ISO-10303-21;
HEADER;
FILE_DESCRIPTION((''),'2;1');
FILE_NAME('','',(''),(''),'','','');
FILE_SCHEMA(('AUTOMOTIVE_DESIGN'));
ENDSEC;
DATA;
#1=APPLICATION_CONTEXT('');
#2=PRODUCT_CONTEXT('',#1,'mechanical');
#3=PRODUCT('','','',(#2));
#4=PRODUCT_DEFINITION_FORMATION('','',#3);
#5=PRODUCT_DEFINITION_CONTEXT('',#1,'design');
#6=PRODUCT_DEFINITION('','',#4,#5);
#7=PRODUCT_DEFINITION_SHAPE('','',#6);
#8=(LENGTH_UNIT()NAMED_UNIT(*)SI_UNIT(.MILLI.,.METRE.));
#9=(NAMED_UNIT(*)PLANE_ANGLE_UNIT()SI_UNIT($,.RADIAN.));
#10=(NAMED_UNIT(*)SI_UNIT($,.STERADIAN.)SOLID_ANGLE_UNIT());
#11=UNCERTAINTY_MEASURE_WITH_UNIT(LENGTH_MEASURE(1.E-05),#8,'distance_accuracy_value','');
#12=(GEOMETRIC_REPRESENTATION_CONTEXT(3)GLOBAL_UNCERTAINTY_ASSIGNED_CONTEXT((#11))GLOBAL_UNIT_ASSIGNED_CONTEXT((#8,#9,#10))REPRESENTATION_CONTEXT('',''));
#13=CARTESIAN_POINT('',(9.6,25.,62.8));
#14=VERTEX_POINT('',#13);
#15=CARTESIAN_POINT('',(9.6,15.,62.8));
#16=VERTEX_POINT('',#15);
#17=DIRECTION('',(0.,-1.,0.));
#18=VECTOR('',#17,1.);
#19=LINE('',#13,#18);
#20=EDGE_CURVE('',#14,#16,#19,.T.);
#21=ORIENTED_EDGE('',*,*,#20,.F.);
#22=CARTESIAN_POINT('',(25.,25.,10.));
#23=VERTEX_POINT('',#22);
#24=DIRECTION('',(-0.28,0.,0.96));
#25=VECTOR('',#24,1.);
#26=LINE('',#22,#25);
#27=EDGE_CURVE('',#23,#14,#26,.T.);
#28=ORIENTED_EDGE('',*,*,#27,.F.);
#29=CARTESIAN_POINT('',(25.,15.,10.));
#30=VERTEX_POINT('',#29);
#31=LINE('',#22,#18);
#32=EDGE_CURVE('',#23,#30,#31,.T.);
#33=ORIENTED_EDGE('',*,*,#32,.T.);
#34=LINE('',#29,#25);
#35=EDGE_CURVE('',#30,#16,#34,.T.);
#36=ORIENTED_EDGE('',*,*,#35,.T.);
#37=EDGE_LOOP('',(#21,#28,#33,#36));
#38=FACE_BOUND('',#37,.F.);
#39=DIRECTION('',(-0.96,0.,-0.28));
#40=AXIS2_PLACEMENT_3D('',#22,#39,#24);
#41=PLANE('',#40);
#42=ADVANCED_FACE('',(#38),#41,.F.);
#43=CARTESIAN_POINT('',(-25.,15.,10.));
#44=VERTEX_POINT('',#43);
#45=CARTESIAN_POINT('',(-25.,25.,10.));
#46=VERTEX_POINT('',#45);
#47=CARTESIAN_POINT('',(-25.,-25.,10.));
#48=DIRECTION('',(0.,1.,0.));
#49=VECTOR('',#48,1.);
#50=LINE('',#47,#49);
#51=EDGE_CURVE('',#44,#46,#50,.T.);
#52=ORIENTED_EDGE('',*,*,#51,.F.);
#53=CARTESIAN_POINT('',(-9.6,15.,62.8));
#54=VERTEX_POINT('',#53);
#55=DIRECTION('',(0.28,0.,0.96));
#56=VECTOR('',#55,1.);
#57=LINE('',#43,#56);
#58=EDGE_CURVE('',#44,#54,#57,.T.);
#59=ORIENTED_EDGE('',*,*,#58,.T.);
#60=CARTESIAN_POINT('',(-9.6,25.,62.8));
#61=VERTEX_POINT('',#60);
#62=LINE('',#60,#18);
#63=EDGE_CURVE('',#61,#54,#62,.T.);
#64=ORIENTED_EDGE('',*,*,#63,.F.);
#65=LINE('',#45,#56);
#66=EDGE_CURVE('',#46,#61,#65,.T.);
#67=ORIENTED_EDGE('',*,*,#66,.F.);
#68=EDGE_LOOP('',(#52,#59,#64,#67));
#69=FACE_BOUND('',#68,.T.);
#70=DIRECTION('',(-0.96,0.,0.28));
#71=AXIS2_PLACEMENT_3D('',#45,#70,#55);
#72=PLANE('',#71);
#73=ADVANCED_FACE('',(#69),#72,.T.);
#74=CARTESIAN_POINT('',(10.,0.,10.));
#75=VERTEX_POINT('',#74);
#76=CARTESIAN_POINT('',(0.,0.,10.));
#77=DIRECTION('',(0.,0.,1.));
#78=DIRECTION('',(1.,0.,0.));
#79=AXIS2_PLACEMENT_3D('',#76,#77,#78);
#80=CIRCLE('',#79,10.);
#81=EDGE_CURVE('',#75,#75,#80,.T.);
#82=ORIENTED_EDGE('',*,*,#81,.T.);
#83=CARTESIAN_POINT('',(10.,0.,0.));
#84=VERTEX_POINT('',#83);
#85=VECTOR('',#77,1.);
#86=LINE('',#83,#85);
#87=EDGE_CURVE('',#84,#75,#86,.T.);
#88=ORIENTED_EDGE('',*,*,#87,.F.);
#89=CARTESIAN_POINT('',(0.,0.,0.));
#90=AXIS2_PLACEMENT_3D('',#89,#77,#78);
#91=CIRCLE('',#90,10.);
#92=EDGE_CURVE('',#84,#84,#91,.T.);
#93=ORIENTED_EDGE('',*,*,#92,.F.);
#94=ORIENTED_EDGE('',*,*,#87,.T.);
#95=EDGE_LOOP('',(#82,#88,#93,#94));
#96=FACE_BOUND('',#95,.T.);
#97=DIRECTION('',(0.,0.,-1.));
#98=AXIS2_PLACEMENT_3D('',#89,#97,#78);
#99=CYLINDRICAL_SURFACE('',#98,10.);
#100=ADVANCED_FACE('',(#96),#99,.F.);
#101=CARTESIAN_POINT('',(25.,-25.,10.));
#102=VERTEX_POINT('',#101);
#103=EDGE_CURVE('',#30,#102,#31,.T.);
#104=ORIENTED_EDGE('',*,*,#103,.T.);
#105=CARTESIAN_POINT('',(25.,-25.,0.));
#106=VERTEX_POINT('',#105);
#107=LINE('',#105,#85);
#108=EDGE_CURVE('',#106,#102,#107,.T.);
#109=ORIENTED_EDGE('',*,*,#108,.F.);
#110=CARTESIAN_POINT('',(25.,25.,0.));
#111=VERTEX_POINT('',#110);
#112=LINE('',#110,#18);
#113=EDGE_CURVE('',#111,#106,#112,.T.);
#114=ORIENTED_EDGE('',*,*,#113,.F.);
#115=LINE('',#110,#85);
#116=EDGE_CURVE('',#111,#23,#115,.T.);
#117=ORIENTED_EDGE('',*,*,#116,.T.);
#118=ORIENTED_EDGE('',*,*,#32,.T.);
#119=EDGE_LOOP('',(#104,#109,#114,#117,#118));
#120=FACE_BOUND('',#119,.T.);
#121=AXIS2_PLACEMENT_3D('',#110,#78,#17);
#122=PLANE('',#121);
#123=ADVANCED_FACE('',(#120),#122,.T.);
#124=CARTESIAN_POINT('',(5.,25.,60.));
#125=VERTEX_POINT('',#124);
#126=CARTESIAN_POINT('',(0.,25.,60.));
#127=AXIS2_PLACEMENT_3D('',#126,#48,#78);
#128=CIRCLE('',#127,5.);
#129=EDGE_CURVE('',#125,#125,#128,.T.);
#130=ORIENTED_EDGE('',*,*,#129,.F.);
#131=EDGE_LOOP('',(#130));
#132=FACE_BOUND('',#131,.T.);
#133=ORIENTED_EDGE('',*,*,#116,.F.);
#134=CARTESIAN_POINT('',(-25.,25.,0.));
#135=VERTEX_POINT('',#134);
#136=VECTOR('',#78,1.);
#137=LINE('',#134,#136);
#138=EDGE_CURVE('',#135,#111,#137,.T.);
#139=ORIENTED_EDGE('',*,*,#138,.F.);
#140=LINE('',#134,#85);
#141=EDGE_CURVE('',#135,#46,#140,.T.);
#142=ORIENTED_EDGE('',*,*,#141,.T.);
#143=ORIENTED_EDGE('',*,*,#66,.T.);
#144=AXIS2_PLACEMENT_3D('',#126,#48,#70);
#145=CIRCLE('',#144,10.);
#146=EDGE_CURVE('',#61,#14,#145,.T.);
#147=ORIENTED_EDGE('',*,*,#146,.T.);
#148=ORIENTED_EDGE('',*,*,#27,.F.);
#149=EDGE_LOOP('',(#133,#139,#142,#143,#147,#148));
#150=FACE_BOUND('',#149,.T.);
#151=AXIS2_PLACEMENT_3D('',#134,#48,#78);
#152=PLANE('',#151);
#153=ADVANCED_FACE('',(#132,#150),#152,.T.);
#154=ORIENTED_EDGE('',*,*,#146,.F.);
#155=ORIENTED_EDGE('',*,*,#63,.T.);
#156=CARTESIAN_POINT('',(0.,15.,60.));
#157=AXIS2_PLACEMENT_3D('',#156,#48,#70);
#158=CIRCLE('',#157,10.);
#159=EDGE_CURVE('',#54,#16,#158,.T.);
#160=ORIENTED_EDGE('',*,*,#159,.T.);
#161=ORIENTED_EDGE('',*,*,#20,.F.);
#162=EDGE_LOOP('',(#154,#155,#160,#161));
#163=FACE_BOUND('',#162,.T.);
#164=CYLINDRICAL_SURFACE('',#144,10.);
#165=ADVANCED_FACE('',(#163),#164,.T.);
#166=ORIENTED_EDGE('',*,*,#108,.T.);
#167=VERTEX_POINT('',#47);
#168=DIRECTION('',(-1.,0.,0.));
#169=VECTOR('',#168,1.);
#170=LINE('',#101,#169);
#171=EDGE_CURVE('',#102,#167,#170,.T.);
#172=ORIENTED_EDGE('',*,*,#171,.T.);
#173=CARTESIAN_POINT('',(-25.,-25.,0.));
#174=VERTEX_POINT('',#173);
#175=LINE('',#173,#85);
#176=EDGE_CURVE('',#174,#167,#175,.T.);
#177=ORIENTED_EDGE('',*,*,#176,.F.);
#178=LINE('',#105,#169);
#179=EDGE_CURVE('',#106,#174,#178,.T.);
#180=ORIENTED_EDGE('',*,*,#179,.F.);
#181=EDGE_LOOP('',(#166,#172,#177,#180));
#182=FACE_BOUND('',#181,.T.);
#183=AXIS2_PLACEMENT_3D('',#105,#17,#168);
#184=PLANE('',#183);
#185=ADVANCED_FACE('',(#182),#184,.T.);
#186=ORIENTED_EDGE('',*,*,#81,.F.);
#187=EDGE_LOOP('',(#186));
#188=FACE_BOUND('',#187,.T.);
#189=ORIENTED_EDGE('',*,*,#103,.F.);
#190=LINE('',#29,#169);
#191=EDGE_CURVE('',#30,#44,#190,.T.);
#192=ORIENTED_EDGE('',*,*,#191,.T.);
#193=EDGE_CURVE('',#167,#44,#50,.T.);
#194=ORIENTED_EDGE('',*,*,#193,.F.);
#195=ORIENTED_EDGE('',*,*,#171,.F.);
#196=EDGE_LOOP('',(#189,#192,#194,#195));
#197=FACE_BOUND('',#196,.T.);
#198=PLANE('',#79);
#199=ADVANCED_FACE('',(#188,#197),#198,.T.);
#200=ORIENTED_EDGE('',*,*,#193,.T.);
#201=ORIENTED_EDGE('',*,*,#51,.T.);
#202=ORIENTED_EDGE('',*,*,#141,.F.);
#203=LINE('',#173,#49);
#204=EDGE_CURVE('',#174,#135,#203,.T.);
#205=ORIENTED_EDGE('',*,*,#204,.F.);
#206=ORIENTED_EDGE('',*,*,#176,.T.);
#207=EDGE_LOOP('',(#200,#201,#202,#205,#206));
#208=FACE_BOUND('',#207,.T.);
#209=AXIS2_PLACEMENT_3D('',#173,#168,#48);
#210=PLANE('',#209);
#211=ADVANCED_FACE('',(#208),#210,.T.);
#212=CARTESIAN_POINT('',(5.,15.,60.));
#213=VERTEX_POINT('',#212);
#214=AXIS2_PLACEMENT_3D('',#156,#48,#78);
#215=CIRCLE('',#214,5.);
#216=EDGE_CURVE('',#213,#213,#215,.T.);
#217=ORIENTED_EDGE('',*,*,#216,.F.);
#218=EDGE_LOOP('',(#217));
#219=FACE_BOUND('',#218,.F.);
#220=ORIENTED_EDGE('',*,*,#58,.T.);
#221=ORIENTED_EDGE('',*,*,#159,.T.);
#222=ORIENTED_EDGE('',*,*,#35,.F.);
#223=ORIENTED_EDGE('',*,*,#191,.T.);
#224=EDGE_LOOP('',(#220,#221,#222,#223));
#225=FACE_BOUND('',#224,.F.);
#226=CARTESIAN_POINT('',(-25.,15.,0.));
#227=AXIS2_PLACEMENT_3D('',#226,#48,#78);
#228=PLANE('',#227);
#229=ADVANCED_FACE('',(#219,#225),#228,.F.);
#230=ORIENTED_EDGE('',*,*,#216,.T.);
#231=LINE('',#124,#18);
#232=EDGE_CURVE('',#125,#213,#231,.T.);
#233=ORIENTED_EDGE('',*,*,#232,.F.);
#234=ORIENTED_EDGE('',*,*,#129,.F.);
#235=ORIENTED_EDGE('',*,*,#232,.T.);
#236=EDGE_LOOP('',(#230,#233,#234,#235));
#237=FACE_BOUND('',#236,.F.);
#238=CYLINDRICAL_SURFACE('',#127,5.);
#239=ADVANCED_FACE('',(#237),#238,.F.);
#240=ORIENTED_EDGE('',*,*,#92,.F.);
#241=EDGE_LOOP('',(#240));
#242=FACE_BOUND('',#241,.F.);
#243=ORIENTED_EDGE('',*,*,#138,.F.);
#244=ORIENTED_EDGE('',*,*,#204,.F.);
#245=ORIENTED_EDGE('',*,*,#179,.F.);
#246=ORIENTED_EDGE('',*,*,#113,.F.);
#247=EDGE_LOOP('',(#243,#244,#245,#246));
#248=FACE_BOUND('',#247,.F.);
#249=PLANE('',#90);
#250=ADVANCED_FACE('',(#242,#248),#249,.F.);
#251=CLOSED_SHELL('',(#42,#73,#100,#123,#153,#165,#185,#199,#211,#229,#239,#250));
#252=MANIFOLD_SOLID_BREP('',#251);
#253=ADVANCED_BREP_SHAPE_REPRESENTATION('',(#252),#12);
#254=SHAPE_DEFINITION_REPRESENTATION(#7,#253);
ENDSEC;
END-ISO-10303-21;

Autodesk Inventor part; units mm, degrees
ref_plane "YZ Plane" through (0, 0, 0) normal (1, 0, 0) x (0, 1, 0)
ref_plane "XY Plane" through (0, 0, 0) normal (0, 0, 1) x (1, 0, 0)
sketch "Sketch1" plane through (0, 0, 0) normal (0, 0, 1) x (1, 0, 0)
  line L0 (-335.2657, 170.906) -> (-144.554, 170.906) construction
  line L1 (-144.554, 170.906) -> (-144.554, -100.0273) construction
  line L2 (-144.554, -100.0273) -> (-335.2657, -100.0273) construction
  line L3 (-335.2657, -100.0273) -> (-335.2657, 170.906) construction
  line L4 (-25, 25) -> (25, 25)
  line L5 (25, 25) -> (25, -25)
  line L6 (25, -25) -> (-25, -25)
  line L7 (-25, -25) -> (-25, 25)
  line L8 (-25, 25) -> (25, -25) construction
  line L9 (25, 25) -> (-25, -25) construction
  circle A0 centre (0, 0) radius 10
  dimension "d6" = 50
  dimension "d7" = 50
  dimension "d8" = 20
extrude "Extrusion1" add sketch "Sketch1" along normal blind 10
ref_plane "Work Plane1" through (0, 25, 0) normal (0, 1, 0) x (-1, 0, 0)
sketch "Sketch2" plane through (-25, 25, 0) normal (0, 1, 0) x (1, 0, 0)
  arc A0 (15.4, -62.8) -> (34.6, -62.8) centre (25, -60) ccw
  circle A1 centre (25, -60) radius 5
  line L0 (50, -10) -> (0, -10) projected
  line L1 (50, -10) -> (34.6, -62.8)
  line L2 (0, -10) -> (15.4, -62.8)
  line L3 (0, -10) -> (50, -10) projected
  line L4 (50, -10) -> (0, -10)
  line L5 (0, -10) -> (50, -10)
  point P0 (25, 0)
  dimension "d13" = 20
  dimension "d14" = 10
  dimension "d15" = 50
extrude "Extrusion2" add sketch "Sketch2" against normal blind 10
properties part number "cad@35"
